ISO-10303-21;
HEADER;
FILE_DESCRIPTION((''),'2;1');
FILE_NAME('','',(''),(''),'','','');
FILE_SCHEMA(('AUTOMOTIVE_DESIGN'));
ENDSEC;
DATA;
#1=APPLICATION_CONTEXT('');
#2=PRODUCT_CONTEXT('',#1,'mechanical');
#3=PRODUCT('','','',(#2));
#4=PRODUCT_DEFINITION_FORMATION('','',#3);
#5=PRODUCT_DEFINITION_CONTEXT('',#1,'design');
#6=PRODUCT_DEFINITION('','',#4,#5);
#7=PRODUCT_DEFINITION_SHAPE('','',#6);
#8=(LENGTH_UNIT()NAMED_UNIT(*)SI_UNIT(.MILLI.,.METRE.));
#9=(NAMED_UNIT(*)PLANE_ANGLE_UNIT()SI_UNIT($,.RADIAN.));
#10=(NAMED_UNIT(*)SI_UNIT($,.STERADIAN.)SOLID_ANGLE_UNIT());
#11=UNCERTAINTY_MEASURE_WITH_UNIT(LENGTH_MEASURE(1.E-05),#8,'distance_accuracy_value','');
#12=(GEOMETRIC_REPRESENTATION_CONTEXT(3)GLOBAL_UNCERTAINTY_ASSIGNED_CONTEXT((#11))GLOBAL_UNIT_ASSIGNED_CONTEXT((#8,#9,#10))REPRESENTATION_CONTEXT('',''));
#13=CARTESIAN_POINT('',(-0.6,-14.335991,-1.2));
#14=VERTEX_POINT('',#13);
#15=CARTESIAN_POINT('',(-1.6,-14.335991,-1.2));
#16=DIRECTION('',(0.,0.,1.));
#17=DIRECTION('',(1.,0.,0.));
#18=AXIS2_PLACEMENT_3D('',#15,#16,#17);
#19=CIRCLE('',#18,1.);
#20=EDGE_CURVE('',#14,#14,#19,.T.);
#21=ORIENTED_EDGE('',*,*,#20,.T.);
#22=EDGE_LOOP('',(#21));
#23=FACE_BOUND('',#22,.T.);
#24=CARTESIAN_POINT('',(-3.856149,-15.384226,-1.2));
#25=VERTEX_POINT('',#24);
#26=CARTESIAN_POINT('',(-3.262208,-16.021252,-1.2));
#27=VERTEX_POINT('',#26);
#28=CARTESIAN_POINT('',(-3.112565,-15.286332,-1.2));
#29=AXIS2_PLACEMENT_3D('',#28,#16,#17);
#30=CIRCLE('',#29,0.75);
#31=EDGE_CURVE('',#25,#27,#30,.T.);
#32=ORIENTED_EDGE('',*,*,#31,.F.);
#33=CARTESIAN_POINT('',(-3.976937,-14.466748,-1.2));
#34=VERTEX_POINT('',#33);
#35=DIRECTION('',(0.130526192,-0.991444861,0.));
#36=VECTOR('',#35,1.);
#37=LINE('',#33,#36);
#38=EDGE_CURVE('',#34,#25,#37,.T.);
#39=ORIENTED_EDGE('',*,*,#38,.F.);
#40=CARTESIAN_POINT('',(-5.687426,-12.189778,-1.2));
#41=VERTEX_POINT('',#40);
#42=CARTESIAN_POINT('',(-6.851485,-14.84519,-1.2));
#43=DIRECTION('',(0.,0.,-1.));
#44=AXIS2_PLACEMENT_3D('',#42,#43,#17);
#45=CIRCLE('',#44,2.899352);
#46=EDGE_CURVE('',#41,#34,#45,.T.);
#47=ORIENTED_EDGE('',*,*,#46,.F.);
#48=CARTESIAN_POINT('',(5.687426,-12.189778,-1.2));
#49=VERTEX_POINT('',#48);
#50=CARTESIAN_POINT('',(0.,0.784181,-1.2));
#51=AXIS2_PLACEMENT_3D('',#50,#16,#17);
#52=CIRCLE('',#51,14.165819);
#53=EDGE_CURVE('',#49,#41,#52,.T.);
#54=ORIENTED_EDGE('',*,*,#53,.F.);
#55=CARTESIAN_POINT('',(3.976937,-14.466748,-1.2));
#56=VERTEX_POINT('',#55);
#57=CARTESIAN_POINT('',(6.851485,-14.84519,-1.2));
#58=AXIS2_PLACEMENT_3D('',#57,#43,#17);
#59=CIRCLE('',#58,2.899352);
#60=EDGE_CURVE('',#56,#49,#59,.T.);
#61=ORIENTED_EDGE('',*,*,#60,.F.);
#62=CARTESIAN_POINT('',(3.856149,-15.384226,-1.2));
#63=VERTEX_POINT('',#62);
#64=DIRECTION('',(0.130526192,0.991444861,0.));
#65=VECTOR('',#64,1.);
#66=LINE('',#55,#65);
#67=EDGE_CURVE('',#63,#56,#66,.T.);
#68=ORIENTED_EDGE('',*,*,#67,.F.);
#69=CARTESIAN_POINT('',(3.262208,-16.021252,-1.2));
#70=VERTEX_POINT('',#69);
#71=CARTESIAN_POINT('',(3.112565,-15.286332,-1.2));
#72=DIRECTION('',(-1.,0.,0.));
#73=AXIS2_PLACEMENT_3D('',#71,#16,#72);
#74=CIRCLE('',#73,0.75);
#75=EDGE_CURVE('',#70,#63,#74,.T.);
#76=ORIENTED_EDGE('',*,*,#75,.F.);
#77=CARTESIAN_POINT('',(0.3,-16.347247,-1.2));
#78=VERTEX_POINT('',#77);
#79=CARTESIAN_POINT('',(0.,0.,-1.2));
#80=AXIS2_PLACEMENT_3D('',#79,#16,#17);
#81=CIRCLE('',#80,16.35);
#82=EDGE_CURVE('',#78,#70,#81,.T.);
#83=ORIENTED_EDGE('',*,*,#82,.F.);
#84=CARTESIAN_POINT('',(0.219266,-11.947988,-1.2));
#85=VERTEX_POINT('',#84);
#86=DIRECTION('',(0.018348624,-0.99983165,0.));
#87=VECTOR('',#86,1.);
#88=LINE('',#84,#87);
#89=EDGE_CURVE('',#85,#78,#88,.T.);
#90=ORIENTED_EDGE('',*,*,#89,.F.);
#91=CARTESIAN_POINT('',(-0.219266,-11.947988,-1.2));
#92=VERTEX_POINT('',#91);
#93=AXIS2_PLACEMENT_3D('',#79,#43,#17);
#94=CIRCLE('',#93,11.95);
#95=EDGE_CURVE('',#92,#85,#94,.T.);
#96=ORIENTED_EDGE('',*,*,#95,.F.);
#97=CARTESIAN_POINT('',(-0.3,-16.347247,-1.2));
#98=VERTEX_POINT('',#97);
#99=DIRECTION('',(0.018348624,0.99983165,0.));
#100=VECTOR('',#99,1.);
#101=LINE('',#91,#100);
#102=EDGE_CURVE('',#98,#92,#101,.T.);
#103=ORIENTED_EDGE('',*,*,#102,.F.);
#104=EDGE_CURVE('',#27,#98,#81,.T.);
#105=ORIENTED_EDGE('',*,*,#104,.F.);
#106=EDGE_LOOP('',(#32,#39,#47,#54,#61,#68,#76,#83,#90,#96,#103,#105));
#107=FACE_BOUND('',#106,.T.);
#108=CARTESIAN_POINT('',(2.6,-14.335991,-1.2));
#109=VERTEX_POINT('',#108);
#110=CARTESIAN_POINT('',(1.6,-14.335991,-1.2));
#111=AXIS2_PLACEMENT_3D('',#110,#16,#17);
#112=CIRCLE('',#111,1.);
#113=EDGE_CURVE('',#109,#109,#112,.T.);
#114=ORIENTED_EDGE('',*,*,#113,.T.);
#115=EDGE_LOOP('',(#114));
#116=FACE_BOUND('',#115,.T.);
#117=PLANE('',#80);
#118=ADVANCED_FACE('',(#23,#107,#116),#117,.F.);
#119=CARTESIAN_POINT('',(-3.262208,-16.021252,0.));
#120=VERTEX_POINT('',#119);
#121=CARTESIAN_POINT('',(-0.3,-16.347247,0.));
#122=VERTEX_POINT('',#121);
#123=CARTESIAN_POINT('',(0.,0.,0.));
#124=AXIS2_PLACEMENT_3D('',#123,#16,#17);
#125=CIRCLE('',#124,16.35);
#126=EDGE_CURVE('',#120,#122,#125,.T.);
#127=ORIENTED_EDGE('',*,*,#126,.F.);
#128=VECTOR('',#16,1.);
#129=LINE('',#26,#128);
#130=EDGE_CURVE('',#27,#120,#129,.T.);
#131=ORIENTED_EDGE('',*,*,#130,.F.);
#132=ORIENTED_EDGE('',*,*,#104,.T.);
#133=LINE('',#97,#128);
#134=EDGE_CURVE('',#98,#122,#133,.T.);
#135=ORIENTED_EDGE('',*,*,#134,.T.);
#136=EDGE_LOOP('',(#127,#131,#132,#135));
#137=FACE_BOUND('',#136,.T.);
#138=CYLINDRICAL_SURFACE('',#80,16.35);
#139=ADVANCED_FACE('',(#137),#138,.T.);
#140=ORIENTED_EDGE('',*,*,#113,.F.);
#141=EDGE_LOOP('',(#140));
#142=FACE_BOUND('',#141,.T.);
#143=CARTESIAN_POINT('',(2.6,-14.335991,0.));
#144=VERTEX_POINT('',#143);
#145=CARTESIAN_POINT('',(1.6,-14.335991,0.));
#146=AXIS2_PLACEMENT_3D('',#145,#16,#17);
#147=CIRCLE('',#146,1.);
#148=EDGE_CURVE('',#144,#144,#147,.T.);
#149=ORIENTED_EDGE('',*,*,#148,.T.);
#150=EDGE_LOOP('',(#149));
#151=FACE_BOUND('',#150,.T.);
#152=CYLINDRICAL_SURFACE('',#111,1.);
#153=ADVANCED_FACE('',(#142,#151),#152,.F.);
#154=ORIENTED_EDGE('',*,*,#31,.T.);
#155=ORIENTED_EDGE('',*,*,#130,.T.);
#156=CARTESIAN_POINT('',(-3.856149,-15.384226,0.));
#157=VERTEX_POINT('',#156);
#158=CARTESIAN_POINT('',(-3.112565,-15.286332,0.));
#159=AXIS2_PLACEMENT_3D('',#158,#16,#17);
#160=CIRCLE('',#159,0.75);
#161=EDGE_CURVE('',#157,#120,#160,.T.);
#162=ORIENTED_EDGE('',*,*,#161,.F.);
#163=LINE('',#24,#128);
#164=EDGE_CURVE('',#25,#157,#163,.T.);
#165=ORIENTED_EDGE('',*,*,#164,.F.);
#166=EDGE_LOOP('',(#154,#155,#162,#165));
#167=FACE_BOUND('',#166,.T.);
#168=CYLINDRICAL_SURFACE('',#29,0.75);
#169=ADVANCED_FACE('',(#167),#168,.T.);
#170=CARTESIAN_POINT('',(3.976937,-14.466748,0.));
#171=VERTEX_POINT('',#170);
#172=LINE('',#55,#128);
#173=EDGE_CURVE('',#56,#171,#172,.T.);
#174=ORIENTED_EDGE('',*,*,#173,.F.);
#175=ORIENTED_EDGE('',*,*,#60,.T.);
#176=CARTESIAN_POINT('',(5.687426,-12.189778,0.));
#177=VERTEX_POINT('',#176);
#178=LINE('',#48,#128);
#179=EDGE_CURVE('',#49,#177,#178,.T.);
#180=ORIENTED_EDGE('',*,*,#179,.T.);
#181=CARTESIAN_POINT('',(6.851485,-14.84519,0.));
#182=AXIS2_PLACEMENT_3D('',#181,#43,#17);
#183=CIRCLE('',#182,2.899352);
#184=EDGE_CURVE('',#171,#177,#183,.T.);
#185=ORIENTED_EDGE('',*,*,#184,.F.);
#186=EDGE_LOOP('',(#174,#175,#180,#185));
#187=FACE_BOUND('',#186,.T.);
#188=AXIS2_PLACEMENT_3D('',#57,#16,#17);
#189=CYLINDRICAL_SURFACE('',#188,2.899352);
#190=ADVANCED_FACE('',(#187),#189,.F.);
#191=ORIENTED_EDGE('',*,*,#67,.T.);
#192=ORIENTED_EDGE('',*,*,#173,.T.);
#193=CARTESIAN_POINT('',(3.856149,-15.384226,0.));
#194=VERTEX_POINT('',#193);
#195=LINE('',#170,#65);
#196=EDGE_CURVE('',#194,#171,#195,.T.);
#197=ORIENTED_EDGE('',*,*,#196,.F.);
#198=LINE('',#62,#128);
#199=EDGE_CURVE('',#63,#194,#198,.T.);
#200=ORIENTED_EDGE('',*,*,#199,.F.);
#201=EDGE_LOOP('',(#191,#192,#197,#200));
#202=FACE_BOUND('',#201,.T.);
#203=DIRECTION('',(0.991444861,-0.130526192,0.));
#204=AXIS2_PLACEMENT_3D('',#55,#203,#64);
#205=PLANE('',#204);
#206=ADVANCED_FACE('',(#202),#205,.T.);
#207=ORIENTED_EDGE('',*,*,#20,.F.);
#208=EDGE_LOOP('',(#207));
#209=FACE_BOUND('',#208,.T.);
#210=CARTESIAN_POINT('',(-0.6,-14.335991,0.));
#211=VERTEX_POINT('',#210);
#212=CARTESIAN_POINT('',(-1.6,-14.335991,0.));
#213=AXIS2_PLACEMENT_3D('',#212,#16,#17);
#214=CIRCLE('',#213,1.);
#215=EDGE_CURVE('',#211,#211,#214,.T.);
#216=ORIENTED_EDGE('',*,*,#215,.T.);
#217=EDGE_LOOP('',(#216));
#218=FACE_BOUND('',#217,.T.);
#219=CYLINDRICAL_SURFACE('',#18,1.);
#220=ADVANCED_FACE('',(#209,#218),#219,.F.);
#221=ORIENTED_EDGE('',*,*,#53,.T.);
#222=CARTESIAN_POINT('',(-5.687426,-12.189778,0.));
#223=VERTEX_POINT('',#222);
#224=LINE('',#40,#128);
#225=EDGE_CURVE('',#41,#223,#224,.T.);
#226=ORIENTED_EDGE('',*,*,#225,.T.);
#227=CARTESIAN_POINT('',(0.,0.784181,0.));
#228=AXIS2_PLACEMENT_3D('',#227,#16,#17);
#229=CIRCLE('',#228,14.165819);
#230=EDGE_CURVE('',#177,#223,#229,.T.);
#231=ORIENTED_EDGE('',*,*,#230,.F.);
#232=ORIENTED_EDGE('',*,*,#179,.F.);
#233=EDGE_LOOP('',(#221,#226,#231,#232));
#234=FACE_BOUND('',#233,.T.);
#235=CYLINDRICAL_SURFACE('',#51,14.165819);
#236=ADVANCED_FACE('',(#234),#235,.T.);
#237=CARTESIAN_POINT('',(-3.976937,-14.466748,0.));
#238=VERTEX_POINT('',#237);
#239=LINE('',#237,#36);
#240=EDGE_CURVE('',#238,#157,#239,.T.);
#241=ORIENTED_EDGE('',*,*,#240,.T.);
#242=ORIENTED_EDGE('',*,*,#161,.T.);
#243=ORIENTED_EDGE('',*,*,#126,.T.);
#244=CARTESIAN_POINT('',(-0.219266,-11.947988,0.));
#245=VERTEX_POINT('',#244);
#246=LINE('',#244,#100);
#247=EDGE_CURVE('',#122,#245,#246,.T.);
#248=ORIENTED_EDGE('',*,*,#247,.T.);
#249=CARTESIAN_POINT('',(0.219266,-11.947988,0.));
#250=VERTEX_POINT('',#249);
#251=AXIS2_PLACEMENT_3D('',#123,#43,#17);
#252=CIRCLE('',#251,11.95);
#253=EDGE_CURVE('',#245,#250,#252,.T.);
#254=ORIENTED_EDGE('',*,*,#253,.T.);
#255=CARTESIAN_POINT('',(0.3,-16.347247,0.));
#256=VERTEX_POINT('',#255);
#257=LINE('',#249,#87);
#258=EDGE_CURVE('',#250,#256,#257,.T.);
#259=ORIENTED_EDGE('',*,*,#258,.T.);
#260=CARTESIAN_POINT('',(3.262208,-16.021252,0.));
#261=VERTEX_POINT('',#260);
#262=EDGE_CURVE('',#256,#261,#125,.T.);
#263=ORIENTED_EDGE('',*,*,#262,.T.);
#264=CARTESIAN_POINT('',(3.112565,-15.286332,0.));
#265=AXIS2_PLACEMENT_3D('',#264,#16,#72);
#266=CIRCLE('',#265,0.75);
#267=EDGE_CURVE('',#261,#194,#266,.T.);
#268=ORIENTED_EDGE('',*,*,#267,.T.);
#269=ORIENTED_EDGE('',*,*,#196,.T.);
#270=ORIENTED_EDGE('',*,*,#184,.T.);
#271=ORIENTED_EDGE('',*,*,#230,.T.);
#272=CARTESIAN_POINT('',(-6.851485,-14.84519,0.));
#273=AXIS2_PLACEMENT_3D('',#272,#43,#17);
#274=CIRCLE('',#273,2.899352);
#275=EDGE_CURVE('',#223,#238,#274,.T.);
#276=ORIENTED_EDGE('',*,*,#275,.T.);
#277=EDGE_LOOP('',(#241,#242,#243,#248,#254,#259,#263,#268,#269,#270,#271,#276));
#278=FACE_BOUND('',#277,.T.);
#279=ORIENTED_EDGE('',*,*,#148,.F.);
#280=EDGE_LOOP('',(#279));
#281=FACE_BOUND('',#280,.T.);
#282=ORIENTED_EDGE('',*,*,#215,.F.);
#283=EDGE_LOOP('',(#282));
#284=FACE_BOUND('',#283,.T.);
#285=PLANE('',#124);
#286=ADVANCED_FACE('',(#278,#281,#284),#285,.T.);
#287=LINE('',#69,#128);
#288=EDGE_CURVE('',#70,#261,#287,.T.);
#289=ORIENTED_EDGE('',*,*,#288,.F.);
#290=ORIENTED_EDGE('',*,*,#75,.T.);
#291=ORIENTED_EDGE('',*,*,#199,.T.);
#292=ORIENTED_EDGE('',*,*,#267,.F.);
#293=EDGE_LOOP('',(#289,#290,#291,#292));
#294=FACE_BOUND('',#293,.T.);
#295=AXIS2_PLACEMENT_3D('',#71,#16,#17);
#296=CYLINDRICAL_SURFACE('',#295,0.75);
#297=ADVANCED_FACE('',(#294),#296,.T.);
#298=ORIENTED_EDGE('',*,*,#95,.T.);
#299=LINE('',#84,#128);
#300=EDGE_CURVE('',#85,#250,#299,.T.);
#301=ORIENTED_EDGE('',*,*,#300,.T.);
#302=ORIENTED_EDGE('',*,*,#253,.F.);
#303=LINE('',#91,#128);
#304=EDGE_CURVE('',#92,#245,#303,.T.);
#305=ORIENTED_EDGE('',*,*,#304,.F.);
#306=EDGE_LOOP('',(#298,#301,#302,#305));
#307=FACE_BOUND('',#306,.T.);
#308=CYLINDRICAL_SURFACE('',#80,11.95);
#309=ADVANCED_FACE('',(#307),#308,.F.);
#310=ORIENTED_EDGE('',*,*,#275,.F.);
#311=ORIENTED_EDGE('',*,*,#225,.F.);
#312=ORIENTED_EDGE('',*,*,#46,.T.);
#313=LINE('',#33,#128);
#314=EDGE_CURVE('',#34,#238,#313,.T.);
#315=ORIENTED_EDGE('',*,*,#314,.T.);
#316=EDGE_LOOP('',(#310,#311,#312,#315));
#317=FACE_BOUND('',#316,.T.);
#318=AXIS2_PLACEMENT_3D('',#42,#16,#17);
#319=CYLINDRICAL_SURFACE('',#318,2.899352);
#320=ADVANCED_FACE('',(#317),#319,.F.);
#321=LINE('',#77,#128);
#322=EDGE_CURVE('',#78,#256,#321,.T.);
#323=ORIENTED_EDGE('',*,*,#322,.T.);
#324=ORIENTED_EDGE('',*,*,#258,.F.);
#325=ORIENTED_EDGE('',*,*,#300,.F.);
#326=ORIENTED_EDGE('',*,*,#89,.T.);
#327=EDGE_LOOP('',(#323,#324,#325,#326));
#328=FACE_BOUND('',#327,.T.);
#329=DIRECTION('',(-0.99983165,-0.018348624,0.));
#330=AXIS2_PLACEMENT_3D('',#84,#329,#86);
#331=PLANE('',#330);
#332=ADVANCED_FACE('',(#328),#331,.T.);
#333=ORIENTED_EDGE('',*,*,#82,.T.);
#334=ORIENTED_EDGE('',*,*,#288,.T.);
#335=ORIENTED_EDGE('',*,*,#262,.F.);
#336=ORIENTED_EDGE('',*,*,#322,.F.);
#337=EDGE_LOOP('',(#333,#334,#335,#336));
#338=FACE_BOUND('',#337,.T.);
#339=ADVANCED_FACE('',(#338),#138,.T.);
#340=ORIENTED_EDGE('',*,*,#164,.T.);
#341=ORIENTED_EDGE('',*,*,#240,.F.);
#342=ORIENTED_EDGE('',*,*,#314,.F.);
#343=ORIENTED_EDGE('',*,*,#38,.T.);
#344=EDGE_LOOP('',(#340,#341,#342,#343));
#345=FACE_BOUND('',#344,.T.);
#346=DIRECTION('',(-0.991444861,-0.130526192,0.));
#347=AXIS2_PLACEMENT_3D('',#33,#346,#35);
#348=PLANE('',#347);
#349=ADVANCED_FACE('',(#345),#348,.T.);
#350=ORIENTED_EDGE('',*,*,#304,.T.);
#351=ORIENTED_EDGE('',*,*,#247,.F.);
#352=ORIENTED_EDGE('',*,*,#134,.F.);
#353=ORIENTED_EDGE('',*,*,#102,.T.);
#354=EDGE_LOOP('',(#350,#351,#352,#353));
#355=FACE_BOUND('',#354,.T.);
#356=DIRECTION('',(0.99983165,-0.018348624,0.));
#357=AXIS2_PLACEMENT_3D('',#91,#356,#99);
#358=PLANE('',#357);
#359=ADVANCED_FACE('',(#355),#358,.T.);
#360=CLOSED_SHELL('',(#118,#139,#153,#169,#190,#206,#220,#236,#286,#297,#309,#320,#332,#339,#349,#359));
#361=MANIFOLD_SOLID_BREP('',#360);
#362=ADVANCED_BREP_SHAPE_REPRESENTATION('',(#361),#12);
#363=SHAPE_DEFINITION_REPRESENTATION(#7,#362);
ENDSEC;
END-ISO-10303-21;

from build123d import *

# Parameters (mm, degrees)
BODYSKE_R  = 1
BODY_DEPTH = 1.2


with BuildPart() as part:
    # BodySke → Body (new body)
    with BuildSketch(Plane.XY):
        with BuildLine():
            Line((0.219266055, -11.947988215), (0.3, -16.347247475))
            ThreePointArc((0.3, -16.347247475), (1.788546664, -16.251879917), (3.262207648, -16.021251551))
            ThreePointArc((3.262207648, -16.021251551), (3.661120947, -15.797787011), (3.856148742, -15.384226399))
            Line((3.856148742, -15.384226399), (3.976937036, -14.466748214))
            ThreePointArc((3.976937036, -14.466748214), (4.533353182, -13.10377966), (5.68742579, -12.189778225))
            ThreePointArc((5.68742579, -12.189778225), (0, 14.95), (-5.68742579, -12.189778225))
            ThreePointArc((-5.68742579, -12.189778225), (-4.533353182, -13.10377966), (-3.976937036, -14.466748214))
            Line((-3.976937036, -14.466748214), (-3.856148742, -15.384226399))
            ThreePointArc((-3.856148742, -15.384226399), (-3.661120947, -15.797787011), (-3.262207648, -16.021251551))
            ThreePointArc((-3.262207648, -16.021251551), (-1.788546664, -16.251879917), (-0.3, -16.347247475))
            Line((-0.3, -16.347247475), (-0.219266055, -11.947988215))
            ThreePointArc((-0.219266055, -11.947988215), (0, 11.95), (0.219266055, -11.947988215))
        make_face()
        with Locations((1.6, -14.335990548)):
            Circle(BODYSKE_R, mode=Mode.SUBTRACT)
        with Locations((-1.6, -14.335990548)):
            Circle(BODYSKE_R, mode=Mode.SUBTRACT)
    extrude(amount=-BODY_DEPTH)


solid = part.part
